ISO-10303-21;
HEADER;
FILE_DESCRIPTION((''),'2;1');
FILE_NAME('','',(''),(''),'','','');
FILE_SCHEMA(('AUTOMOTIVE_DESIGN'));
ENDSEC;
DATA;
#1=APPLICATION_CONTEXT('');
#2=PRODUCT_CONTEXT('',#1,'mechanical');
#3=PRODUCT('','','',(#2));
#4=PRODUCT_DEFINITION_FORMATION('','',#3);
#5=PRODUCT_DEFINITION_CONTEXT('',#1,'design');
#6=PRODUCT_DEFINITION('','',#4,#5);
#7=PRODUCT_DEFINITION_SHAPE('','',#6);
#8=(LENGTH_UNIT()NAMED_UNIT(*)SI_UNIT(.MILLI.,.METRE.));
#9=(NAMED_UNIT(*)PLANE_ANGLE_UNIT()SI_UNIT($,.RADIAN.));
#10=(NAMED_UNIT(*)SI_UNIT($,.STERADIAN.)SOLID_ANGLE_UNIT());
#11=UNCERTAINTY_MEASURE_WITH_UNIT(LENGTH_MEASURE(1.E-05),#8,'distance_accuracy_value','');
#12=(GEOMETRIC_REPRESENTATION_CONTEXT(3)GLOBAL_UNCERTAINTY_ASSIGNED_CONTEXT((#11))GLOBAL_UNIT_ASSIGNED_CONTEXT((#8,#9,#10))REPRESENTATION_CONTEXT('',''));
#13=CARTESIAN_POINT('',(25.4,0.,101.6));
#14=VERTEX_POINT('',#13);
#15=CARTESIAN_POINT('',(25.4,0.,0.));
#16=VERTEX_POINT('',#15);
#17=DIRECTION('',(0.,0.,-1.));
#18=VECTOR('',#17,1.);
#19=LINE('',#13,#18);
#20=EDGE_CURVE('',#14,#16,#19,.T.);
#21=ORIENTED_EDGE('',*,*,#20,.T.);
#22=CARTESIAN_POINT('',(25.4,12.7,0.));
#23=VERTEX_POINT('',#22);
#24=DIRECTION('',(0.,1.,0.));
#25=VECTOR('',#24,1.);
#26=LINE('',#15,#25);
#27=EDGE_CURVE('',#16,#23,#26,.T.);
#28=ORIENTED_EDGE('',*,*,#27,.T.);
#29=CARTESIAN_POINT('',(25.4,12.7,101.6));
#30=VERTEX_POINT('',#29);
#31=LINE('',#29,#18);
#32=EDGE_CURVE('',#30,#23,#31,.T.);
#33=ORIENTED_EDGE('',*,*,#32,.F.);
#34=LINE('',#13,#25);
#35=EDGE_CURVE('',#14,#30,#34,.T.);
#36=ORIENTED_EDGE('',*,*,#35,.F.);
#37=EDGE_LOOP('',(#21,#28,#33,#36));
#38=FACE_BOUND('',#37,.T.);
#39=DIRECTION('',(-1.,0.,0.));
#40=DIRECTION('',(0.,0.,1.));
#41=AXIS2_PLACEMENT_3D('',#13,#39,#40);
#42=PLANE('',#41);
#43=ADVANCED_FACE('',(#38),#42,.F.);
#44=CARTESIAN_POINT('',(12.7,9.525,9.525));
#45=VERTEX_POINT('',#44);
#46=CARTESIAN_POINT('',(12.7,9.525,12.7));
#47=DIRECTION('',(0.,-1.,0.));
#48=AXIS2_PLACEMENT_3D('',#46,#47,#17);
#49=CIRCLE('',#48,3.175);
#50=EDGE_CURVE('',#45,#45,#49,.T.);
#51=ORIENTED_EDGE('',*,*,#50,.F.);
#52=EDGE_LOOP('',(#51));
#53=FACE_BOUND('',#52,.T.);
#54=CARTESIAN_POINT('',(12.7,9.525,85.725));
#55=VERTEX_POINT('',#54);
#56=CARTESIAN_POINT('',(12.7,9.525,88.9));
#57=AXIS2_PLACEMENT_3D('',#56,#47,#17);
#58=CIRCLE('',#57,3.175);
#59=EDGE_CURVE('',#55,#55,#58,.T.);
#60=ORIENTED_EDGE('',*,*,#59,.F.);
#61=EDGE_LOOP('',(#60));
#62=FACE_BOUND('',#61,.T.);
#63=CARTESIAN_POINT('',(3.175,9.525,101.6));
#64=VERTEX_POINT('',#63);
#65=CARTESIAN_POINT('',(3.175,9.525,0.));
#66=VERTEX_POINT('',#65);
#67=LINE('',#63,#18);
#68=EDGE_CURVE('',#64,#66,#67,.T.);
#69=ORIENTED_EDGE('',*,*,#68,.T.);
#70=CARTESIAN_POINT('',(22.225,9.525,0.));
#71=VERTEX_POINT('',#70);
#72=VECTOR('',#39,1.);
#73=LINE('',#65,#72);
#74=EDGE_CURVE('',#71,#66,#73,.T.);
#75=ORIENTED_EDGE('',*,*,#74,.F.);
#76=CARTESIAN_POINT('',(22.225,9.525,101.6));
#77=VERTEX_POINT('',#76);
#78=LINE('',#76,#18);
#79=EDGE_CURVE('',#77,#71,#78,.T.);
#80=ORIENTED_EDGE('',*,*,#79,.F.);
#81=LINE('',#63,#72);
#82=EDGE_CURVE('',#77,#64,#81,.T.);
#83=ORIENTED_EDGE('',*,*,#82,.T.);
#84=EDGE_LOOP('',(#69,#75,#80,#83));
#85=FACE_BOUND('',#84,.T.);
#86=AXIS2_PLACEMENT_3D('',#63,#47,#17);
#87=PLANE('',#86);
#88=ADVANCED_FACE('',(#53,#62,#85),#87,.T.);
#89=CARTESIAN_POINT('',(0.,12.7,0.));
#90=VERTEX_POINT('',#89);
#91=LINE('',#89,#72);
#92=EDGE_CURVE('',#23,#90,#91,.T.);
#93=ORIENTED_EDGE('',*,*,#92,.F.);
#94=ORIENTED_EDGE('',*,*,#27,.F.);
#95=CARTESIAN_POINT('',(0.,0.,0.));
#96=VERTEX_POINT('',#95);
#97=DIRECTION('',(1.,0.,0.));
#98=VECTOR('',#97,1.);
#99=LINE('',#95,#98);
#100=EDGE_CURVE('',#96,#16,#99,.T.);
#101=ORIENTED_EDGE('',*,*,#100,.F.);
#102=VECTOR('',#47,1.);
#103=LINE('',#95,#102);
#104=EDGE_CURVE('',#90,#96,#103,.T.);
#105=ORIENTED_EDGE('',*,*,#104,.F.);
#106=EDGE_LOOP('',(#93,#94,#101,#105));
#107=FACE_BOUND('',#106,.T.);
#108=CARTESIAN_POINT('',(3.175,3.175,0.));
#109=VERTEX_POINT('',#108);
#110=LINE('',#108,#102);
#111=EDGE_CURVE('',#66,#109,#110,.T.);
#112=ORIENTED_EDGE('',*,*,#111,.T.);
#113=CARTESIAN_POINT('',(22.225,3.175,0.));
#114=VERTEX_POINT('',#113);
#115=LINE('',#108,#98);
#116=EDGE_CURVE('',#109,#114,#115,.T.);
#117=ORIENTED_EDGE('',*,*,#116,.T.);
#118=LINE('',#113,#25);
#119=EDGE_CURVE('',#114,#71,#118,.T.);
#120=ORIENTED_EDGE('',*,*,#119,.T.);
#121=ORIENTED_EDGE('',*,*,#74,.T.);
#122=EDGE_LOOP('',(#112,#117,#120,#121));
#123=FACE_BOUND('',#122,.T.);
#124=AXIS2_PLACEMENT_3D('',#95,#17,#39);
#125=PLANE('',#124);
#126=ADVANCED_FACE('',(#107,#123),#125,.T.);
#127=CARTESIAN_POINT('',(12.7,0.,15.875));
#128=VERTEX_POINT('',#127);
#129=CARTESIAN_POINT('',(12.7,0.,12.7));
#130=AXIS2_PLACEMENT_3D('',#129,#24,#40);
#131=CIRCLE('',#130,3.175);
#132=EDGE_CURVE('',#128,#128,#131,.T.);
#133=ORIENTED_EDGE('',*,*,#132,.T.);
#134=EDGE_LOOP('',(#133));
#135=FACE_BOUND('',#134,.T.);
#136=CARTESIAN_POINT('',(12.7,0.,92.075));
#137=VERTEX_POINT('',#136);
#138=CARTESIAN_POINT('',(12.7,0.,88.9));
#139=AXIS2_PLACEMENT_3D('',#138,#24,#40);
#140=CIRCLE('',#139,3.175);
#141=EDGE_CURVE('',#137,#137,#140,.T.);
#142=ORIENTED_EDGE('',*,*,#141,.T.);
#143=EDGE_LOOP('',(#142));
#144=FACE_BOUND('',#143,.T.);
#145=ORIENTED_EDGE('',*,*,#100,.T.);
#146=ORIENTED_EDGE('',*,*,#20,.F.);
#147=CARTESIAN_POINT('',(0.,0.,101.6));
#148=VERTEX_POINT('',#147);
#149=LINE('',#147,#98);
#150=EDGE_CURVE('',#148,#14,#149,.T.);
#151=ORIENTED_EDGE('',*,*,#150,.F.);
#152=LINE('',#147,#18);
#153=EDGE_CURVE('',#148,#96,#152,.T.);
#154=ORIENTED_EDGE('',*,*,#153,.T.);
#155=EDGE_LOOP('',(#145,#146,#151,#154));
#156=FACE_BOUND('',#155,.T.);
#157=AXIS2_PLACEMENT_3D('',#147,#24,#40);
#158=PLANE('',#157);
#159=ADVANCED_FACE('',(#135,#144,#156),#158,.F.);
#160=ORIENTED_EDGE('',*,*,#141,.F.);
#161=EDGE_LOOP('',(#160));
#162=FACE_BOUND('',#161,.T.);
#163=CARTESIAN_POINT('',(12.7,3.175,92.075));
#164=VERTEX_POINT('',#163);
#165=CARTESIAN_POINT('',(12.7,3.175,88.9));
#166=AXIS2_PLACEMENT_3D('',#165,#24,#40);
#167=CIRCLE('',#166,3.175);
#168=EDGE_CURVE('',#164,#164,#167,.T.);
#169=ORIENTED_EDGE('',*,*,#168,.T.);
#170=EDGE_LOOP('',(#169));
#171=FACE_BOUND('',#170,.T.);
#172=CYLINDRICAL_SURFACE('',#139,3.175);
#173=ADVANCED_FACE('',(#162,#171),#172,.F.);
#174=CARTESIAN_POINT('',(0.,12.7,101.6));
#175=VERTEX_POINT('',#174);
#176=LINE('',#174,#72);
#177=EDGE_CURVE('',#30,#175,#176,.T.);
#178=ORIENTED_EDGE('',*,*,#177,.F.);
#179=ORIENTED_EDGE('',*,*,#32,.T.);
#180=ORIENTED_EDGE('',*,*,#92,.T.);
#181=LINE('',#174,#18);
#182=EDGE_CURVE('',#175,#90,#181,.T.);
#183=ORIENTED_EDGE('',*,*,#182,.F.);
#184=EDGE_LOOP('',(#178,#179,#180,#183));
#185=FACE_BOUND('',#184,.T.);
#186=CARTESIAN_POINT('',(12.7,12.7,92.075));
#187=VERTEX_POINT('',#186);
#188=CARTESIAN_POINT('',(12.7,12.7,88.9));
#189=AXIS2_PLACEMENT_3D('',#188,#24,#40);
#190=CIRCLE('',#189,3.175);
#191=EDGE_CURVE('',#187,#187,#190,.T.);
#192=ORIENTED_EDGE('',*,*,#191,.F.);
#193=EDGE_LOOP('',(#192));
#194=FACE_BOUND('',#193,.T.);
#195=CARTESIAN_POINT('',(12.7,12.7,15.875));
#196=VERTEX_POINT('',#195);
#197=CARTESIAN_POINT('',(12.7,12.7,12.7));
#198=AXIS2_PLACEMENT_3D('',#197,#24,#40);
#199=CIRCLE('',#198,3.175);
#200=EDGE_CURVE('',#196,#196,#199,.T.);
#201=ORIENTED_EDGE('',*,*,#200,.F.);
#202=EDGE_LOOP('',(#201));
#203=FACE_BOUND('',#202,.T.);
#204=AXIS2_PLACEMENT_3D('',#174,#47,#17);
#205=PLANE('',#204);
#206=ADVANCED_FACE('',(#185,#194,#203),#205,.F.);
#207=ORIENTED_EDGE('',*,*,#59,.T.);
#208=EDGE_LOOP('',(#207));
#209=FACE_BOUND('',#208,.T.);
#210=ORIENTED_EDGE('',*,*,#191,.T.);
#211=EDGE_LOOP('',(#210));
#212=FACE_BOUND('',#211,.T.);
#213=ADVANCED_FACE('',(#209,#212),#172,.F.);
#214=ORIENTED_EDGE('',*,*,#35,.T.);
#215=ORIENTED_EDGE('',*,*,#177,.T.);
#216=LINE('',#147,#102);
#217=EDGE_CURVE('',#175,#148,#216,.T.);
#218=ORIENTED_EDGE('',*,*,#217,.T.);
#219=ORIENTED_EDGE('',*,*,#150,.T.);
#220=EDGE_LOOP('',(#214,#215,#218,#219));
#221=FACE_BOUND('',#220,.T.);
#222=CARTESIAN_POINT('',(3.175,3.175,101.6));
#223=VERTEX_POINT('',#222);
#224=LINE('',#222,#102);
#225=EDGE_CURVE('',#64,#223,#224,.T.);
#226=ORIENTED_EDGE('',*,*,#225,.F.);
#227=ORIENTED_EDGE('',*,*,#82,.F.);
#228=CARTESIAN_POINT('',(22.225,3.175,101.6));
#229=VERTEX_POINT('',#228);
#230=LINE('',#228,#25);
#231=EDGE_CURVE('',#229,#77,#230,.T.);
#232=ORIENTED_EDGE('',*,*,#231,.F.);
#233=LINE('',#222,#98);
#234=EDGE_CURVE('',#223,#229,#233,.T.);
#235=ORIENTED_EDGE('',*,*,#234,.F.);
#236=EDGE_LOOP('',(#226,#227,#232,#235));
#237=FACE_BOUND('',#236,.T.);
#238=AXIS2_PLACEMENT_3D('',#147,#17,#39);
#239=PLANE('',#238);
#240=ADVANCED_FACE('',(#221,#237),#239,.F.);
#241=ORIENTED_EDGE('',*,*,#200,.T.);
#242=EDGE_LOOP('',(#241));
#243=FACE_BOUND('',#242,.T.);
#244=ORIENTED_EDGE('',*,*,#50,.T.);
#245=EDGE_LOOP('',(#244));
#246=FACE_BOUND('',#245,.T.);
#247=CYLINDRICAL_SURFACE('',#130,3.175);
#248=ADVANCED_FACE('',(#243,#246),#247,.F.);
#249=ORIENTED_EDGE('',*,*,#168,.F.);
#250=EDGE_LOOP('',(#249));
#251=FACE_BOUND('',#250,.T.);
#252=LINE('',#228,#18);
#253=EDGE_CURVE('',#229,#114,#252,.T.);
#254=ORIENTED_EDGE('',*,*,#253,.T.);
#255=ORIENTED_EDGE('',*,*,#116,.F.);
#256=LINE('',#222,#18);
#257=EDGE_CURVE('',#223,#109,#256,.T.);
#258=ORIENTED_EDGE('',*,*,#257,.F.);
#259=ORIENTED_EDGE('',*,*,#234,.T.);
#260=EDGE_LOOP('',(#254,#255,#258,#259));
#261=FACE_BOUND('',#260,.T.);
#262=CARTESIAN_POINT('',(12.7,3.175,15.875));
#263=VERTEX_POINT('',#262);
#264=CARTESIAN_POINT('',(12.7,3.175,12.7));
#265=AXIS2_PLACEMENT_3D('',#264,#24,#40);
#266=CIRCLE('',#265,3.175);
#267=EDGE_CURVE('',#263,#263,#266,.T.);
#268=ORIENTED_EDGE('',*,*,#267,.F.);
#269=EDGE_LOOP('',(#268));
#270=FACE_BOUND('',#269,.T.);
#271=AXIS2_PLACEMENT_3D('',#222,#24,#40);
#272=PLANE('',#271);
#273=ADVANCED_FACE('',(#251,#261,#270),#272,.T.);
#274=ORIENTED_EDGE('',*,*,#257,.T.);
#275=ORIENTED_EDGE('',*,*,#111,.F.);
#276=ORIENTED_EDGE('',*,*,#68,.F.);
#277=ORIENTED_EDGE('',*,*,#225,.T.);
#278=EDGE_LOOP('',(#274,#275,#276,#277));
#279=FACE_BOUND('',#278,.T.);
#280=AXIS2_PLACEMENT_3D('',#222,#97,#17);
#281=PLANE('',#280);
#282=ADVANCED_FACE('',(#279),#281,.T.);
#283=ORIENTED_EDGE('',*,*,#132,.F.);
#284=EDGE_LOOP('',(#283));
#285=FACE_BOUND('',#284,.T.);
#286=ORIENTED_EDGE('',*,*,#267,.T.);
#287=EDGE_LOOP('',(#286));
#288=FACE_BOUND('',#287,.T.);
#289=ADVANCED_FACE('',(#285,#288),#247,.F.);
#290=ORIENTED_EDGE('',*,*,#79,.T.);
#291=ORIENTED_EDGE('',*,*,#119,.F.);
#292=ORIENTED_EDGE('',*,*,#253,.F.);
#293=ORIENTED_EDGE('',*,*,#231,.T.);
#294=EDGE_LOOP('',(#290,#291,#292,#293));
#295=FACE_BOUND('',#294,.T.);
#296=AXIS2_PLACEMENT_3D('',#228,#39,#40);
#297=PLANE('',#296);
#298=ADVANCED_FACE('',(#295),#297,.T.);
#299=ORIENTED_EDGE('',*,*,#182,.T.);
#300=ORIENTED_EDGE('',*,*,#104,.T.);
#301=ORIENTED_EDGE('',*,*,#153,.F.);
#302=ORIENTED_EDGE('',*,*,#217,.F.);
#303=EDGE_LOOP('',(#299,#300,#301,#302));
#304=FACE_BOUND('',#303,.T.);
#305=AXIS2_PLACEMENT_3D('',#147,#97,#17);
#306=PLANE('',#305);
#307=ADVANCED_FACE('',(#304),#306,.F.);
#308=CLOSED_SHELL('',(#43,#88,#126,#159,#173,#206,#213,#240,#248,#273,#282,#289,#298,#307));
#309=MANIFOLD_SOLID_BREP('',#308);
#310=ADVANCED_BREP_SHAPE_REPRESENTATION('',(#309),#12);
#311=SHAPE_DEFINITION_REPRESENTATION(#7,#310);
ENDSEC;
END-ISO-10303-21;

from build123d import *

# Parameters (mm, degrees)
SKETCH1_W           = 25.4
SKETCH1_H           = 12.7
SKETCH1_W_2         = 19.05
SKETCH1_H_2         = 6.35
BOSS_EXTRUDE1_DEPTH = 101.6
SKETCH2_R           = 3.175
CUT_EXTRUDE1_DEPTH  = 13.7


with BuildPart() as part:
    # Sketch1 → Boss-Extrude1 (new body)
    with BuildSketch(Plane.XY):
        with Locations((12.7, 6.35)):
            Rectangle(SKETCH1_W, SKETCH1_H)
        with Locations((12.7, 6.35)):
            Rectangle(SKETCH1_W_2, SKETCH1_H_2, mode=Mode.SUBTRACT)
    extrude(amount=BOSS_EXTRUDE1_DEPTH)

    # Sketch2 → Cut-Extrude1 (cut, through all)
    with BuildSketch(Plane(origin=(0, 12.7, 0), x_dir=(1, 0, 0), z_dir=(0, 1, 0))):
        with Locations((12.7, -88.9)):
            Circle(SKETCH2_R)
        with Locations((12.7, -12.7)):
            Circle(SKETCH2_R)
    extrude(amount=-CUT_EXTRUDE1_DEPTH, mode=Mode.SUBTRACT)


solid = part.part
